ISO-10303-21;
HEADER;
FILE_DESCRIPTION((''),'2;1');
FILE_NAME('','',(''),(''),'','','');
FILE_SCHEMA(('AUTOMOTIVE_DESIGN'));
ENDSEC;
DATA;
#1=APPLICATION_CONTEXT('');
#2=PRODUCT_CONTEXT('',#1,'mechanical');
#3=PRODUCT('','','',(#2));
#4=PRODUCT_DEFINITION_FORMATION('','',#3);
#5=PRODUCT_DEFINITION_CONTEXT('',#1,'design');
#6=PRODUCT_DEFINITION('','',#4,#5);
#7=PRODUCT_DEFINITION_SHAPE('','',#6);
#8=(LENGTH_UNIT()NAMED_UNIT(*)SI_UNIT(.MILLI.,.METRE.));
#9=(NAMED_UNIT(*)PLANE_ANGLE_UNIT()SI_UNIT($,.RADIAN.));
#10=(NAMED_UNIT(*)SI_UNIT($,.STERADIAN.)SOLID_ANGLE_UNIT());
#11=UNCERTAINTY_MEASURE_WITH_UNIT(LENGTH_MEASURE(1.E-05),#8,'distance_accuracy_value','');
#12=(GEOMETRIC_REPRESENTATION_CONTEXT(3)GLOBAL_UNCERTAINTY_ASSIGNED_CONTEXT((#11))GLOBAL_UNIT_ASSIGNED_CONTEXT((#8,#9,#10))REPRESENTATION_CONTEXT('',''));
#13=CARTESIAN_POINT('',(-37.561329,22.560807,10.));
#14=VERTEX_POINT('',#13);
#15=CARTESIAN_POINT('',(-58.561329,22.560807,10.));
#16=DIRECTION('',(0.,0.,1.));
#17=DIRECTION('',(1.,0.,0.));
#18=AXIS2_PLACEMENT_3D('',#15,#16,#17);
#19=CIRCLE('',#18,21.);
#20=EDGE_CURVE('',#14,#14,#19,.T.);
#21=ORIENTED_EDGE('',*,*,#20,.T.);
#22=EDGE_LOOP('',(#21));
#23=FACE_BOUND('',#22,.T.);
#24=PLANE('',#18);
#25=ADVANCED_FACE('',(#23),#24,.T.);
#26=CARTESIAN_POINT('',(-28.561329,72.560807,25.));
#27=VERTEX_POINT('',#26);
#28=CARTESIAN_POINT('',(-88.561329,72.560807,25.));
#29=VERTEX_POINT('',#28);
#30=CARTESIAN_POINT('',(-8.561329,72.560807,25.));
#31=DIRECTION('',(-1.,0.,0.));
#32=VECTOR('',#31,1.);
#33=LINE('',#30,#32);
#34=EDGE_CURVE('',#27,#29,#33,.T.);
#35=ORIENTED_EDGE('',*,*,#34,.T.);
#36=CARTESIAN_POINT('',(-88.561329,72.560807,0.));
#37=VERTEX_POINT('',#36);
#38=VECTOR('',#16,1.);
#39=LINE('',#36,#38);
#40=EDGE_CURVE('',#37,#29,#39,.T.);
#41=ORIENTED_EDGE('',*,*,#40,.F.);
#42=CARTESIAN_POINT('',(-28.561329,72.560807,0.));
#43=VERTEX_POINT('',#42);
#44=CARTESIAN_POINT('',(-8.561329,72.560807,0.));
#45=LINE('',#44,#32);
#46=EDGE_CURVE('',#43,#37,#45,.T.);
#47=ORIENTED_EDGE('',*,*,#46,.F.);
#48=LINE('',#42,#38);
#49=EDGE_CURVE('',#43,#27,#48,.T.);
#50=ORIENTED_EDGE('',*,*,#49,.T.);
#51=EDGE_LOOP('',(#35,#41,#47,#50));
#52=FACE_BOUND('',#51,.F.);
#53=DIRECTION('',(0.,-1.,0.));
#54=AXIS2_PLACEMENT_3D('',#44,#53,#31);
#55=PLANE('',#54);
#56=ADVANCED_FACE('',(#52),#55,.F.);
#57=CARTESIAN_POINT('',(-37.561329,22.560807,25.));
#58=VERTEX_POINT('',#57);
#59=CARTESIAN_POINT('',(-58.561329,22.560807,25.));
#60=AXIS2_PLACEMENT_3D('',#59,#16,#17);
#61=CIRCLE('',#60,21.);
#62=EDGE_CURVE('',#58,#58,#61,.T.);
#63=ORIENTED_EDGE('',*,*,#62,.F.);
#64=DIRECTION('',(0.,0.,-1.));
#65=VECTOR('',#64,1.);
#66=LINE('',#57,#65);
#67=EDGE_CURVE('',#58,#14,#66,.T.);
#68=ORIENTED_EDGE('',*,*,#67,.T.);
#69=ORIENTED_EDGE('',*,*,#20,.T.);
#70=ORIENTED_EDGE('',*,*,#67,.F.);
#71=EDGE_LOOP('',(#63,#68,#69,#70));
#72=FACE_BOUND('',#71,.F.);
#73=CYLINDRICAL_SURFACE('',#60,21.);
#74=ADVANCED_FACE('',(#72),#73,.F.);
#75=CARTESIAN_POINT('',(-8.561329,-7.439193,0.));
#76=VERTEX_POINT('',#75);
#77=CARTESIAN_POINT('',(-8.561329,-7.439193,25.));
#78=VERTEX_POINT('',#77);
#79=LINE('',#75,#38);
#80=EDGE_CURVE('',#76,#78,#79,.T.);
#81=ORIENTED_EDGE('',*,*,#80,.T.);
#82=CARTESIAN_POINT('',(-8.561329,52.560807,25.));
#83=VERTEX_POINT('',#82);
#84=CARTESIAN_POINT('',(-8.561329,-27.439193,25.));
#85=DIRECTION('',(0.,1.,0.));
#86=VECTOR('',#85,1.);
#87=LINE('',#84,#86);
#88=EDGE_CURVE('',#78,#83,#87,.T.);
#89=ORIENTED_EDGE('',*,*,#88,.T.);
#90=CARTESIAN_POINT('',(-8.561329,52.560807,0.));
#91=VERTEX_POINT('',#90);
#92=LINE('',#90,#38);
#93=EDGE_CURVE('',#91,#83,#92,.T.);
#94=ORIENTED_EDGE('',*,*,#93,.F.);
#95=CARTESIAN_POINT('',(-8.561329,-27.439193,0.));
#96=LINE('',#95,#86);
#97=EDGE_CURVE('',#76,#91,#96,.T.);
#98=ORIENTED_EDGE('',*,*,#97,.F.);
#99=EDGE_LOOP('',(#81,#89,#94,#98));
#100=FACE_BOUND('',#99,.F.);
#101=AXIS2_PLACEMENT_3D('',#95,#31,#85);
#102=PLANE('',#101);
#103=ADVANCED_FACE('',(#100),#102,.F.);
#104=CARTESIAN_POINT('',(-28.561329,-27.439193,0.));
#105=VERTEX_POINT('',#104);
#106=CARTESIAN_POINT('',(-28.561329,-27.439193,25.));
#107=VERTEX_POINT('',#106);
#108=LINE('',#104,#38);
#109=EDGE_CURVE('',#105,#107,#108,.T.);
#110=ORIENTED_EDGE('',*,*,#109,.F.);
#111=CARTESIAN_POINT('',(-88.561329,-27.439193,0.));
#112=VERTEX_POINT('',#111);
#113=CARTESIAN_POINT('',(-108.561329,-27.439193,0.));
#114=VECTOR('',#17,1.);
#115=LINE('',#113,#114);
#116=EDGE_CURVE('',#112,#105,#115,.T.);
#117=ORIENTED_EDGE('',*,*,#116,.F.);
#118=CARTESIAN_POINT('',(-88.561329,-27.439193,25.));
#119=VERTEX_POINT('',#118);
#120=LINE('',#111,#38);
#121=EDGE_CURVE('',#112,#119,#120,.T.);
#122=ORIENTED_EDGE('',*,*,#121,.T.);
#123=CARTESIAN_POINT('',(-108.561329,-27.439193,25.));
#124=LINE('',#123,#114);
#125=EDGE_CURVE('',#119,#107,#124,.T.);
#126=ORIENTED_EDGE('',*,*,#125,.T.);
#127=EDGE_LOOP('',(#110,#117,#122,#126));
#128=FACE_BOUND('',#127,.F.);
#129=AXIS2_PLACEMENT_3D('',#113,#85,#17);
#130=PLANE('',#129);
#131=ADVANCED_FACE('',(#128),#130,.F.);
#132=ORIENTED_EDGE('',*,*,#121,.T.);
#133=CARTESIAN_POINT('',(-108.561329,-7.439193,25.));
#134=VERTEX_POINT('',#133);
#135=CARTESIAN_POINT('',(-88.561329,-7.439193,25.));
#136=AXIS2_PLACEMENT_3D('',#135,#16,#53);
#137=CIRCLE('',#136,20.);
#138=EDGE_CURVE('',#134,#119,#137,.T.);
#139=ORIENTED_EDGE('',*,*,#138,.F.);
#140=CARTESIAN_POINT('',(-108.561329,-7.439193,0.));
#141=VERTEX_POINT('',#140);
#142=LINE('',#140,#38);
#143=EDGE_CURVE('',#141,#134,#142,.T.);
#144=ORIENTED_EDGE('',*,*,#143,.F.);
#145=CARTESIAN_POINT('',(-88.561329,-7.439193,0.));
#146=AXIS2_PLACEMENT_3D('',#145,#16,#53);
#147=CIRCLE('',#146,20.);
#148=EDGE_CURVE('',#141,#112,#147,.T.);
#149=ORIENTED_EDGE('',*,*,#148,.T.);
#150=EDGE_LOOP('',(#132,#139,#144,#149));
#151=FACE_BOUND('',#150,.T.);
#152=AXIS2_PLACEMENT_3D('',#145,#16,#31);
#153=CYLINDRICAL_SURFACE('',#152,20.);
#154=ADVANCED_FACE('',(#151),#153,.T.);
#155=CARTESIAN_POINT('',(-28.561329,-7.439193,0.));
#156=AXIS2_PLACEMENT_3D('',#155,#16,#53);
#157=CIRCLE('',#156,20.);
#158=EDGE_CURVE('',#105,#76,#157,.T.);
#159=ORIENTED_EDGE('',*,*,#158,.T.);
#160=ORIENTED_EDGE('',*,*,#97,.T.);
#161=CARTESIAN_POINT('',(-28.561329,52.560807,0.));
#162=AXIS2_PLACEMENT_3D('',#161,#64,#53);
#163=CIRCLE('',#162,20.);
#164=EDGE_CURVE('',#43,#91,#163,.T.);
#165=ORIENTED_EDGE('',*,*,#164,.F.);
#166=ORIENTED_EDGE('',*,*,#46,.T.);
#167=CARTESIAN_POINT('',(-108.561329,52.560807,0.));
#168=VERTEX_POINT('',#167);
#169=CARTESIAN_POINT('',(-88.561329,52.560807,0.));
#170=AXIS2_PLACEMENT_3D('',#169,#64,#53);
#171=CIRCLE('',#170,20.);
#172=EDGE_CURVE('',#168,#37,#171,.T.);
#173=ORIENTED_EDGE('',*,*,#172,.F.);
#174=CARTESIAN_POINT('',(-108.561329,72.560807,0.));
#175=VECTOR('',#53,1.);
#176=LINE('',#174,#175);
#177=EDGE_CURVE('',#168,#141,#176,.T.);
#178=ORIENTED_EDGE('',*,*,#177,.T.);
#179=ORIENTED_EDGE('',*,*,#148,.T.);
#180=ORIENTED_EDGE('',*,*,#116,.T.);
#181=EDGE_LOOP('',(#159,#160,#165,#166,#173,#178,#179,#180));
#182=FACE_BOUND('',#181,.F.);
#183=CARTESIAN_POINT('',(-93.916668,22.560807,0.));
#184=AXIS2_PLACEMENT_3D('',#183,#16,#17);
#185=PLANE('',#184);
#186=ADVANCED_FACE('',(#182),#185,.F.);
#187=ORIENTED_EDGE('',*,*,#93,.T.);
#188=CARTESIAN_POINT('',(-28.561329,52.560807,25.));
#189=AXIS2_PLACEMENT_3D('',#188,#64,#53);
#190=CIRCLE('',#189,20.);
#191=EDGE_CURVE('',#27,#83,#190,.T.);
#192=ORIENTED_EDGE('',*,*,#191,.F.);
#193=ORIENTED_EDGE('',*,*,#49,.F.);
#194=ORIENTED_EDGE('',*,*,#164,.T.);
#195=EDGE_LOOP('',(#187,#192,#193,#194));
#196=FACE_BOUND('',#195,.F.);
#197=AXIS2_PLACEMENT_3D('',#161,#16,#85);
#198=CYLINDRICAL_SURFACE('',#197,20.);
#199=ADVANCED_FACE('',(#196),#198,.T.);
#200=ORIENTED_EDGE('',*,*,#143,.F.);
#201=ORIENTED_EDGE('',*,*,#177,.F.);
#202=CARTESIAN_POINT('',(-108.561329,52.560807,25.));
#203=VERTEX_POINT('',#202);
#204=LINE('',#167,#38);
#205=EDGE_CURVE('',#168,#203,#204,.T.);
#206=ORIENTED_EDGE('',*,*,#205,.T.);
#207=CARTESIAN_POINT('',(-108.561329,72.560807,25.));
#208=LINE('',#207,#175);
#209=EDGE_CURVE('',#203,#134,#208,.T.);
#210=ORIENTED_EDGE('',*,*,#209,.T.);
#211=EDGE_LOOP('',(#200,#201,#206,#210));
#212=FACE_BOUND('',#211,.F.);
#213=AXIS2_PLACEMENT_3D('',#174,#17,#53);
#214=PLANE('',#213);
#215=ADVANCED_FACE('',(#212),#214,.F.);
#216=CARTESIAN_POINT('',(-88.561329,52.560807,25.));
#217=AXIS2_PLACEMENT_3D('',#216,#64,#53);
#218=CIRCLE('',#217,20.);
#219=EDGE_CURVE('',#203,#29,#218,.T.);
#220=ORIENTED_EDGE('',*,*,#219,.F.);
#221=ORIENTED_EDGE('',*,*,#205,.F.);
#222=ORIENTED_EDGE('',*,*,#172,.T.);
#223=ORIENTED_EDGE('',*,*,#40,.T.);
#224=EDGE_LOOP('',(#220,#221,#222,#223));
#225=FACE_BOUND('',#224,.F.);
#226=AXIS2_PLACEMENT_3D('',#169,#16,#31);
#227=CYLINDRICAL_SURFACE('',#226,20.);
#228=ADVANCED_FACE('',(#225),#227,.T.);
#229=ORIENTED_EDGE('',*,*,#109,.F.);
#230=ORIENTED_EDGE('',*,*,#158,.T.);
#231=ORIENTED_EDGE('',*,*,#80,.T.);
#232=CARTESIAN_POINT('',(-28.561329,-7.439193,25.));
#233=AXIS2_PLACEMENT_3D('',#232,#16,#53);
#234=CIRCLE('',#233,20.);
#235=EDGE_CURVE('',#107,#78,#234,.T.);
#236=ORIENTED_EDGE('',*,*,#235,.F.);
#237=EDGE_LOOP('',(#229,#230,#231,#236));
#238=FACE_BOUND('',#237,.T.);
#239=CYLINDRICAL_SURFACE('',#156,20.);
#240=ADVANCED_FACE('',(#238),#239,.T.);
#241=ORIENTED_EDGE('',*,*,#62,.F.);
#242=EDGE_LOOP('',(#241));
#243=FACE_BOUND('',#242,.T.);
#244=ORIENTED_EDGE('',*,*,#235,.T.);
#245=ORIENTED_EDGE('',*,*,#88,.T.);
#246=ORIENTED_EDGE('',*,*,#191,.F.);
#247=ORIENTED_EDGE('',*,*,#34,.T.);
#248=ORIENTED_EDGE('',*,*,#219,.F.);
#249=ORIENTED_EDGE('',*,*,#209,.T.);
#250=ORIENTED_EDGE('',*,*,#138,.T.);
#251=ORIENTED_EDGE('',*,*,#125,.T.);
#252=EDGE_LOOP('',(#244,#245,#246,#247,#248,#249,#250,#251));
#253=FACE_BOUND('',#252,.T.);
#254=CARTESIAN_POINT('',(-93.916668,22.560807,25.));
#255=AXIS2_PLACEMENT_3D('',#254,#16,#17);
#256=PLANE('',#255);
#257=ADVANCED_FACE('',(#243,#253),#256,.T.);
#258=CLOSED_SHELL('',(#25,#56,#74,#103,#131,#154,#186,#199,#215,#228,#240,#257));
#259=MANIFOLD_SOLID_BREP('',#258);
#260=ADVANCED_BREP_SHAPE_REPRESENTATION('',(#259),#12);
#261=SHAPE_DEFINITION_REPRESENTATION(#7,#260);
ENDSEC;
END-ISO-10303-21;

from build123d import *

# Parameters (mm, degrees)
F1_DEPTH = 25
F2_R     = 21
F3_DEPTH = 15
F4_R     = 20
F5_R     = 20
F6_R     = 20


with BuildPart() as f1:
    # F0 (on Top) → F1 (new body)
    with BuildSketch(Plane.XY):
        Polygon((-58.561329, 22.560807), (-108.561329, 72.560807), (-108.561329, -27.439193), align=None)
        Polygon((-8.561329, 72.560807), (-108.561329, 72.560807), (-58.561329, 22.560807), align=None)
        Polygon((-8.561329, -27.439193), (-8.561329, 72.560807), (-58.561329, 22.560807), align=None)
        Polygon((-58.561329, 22.560807), (-108.561329, -27.439193), (-8.561329, -27.439193), align=None)
    extrude(amount=F1_DEPTH)

    # F2 (on face) → F3 (cut)
    with BuildSketch(Plane.XY.offset(25)):
        with Locations((-58.561329, 22.560807)):
            Circle(F2_R)
    extrude(amount=-F3_DEPTH, mode=Mode.SUBTRACT)

    # F4
    f4_edges = [f1.edges().sort_by_distance(p)[0] for p in [
        (-108.561329, -27.439193, 12.5),
    ]]
    fillet(f4_edges, radius=F4_R)

    # F5
    f5_edges = [f1.edges().sort_by_distance(p)[0] for p in [
        (-108.561329, 72.560807, 12.5),
    ]]
    fillet(f5_edges, radius=F5_R)

    # F6
    f6_edges = [f1.edges().sort_by_distance(p)[0] for p in [
        (-8.561329, 72.560807, 12.5),
        (-8.561329, -27.439193, 12.5),
    ]]
    fillet(f6_edges, radius=F6_R)


solid = f1.part
